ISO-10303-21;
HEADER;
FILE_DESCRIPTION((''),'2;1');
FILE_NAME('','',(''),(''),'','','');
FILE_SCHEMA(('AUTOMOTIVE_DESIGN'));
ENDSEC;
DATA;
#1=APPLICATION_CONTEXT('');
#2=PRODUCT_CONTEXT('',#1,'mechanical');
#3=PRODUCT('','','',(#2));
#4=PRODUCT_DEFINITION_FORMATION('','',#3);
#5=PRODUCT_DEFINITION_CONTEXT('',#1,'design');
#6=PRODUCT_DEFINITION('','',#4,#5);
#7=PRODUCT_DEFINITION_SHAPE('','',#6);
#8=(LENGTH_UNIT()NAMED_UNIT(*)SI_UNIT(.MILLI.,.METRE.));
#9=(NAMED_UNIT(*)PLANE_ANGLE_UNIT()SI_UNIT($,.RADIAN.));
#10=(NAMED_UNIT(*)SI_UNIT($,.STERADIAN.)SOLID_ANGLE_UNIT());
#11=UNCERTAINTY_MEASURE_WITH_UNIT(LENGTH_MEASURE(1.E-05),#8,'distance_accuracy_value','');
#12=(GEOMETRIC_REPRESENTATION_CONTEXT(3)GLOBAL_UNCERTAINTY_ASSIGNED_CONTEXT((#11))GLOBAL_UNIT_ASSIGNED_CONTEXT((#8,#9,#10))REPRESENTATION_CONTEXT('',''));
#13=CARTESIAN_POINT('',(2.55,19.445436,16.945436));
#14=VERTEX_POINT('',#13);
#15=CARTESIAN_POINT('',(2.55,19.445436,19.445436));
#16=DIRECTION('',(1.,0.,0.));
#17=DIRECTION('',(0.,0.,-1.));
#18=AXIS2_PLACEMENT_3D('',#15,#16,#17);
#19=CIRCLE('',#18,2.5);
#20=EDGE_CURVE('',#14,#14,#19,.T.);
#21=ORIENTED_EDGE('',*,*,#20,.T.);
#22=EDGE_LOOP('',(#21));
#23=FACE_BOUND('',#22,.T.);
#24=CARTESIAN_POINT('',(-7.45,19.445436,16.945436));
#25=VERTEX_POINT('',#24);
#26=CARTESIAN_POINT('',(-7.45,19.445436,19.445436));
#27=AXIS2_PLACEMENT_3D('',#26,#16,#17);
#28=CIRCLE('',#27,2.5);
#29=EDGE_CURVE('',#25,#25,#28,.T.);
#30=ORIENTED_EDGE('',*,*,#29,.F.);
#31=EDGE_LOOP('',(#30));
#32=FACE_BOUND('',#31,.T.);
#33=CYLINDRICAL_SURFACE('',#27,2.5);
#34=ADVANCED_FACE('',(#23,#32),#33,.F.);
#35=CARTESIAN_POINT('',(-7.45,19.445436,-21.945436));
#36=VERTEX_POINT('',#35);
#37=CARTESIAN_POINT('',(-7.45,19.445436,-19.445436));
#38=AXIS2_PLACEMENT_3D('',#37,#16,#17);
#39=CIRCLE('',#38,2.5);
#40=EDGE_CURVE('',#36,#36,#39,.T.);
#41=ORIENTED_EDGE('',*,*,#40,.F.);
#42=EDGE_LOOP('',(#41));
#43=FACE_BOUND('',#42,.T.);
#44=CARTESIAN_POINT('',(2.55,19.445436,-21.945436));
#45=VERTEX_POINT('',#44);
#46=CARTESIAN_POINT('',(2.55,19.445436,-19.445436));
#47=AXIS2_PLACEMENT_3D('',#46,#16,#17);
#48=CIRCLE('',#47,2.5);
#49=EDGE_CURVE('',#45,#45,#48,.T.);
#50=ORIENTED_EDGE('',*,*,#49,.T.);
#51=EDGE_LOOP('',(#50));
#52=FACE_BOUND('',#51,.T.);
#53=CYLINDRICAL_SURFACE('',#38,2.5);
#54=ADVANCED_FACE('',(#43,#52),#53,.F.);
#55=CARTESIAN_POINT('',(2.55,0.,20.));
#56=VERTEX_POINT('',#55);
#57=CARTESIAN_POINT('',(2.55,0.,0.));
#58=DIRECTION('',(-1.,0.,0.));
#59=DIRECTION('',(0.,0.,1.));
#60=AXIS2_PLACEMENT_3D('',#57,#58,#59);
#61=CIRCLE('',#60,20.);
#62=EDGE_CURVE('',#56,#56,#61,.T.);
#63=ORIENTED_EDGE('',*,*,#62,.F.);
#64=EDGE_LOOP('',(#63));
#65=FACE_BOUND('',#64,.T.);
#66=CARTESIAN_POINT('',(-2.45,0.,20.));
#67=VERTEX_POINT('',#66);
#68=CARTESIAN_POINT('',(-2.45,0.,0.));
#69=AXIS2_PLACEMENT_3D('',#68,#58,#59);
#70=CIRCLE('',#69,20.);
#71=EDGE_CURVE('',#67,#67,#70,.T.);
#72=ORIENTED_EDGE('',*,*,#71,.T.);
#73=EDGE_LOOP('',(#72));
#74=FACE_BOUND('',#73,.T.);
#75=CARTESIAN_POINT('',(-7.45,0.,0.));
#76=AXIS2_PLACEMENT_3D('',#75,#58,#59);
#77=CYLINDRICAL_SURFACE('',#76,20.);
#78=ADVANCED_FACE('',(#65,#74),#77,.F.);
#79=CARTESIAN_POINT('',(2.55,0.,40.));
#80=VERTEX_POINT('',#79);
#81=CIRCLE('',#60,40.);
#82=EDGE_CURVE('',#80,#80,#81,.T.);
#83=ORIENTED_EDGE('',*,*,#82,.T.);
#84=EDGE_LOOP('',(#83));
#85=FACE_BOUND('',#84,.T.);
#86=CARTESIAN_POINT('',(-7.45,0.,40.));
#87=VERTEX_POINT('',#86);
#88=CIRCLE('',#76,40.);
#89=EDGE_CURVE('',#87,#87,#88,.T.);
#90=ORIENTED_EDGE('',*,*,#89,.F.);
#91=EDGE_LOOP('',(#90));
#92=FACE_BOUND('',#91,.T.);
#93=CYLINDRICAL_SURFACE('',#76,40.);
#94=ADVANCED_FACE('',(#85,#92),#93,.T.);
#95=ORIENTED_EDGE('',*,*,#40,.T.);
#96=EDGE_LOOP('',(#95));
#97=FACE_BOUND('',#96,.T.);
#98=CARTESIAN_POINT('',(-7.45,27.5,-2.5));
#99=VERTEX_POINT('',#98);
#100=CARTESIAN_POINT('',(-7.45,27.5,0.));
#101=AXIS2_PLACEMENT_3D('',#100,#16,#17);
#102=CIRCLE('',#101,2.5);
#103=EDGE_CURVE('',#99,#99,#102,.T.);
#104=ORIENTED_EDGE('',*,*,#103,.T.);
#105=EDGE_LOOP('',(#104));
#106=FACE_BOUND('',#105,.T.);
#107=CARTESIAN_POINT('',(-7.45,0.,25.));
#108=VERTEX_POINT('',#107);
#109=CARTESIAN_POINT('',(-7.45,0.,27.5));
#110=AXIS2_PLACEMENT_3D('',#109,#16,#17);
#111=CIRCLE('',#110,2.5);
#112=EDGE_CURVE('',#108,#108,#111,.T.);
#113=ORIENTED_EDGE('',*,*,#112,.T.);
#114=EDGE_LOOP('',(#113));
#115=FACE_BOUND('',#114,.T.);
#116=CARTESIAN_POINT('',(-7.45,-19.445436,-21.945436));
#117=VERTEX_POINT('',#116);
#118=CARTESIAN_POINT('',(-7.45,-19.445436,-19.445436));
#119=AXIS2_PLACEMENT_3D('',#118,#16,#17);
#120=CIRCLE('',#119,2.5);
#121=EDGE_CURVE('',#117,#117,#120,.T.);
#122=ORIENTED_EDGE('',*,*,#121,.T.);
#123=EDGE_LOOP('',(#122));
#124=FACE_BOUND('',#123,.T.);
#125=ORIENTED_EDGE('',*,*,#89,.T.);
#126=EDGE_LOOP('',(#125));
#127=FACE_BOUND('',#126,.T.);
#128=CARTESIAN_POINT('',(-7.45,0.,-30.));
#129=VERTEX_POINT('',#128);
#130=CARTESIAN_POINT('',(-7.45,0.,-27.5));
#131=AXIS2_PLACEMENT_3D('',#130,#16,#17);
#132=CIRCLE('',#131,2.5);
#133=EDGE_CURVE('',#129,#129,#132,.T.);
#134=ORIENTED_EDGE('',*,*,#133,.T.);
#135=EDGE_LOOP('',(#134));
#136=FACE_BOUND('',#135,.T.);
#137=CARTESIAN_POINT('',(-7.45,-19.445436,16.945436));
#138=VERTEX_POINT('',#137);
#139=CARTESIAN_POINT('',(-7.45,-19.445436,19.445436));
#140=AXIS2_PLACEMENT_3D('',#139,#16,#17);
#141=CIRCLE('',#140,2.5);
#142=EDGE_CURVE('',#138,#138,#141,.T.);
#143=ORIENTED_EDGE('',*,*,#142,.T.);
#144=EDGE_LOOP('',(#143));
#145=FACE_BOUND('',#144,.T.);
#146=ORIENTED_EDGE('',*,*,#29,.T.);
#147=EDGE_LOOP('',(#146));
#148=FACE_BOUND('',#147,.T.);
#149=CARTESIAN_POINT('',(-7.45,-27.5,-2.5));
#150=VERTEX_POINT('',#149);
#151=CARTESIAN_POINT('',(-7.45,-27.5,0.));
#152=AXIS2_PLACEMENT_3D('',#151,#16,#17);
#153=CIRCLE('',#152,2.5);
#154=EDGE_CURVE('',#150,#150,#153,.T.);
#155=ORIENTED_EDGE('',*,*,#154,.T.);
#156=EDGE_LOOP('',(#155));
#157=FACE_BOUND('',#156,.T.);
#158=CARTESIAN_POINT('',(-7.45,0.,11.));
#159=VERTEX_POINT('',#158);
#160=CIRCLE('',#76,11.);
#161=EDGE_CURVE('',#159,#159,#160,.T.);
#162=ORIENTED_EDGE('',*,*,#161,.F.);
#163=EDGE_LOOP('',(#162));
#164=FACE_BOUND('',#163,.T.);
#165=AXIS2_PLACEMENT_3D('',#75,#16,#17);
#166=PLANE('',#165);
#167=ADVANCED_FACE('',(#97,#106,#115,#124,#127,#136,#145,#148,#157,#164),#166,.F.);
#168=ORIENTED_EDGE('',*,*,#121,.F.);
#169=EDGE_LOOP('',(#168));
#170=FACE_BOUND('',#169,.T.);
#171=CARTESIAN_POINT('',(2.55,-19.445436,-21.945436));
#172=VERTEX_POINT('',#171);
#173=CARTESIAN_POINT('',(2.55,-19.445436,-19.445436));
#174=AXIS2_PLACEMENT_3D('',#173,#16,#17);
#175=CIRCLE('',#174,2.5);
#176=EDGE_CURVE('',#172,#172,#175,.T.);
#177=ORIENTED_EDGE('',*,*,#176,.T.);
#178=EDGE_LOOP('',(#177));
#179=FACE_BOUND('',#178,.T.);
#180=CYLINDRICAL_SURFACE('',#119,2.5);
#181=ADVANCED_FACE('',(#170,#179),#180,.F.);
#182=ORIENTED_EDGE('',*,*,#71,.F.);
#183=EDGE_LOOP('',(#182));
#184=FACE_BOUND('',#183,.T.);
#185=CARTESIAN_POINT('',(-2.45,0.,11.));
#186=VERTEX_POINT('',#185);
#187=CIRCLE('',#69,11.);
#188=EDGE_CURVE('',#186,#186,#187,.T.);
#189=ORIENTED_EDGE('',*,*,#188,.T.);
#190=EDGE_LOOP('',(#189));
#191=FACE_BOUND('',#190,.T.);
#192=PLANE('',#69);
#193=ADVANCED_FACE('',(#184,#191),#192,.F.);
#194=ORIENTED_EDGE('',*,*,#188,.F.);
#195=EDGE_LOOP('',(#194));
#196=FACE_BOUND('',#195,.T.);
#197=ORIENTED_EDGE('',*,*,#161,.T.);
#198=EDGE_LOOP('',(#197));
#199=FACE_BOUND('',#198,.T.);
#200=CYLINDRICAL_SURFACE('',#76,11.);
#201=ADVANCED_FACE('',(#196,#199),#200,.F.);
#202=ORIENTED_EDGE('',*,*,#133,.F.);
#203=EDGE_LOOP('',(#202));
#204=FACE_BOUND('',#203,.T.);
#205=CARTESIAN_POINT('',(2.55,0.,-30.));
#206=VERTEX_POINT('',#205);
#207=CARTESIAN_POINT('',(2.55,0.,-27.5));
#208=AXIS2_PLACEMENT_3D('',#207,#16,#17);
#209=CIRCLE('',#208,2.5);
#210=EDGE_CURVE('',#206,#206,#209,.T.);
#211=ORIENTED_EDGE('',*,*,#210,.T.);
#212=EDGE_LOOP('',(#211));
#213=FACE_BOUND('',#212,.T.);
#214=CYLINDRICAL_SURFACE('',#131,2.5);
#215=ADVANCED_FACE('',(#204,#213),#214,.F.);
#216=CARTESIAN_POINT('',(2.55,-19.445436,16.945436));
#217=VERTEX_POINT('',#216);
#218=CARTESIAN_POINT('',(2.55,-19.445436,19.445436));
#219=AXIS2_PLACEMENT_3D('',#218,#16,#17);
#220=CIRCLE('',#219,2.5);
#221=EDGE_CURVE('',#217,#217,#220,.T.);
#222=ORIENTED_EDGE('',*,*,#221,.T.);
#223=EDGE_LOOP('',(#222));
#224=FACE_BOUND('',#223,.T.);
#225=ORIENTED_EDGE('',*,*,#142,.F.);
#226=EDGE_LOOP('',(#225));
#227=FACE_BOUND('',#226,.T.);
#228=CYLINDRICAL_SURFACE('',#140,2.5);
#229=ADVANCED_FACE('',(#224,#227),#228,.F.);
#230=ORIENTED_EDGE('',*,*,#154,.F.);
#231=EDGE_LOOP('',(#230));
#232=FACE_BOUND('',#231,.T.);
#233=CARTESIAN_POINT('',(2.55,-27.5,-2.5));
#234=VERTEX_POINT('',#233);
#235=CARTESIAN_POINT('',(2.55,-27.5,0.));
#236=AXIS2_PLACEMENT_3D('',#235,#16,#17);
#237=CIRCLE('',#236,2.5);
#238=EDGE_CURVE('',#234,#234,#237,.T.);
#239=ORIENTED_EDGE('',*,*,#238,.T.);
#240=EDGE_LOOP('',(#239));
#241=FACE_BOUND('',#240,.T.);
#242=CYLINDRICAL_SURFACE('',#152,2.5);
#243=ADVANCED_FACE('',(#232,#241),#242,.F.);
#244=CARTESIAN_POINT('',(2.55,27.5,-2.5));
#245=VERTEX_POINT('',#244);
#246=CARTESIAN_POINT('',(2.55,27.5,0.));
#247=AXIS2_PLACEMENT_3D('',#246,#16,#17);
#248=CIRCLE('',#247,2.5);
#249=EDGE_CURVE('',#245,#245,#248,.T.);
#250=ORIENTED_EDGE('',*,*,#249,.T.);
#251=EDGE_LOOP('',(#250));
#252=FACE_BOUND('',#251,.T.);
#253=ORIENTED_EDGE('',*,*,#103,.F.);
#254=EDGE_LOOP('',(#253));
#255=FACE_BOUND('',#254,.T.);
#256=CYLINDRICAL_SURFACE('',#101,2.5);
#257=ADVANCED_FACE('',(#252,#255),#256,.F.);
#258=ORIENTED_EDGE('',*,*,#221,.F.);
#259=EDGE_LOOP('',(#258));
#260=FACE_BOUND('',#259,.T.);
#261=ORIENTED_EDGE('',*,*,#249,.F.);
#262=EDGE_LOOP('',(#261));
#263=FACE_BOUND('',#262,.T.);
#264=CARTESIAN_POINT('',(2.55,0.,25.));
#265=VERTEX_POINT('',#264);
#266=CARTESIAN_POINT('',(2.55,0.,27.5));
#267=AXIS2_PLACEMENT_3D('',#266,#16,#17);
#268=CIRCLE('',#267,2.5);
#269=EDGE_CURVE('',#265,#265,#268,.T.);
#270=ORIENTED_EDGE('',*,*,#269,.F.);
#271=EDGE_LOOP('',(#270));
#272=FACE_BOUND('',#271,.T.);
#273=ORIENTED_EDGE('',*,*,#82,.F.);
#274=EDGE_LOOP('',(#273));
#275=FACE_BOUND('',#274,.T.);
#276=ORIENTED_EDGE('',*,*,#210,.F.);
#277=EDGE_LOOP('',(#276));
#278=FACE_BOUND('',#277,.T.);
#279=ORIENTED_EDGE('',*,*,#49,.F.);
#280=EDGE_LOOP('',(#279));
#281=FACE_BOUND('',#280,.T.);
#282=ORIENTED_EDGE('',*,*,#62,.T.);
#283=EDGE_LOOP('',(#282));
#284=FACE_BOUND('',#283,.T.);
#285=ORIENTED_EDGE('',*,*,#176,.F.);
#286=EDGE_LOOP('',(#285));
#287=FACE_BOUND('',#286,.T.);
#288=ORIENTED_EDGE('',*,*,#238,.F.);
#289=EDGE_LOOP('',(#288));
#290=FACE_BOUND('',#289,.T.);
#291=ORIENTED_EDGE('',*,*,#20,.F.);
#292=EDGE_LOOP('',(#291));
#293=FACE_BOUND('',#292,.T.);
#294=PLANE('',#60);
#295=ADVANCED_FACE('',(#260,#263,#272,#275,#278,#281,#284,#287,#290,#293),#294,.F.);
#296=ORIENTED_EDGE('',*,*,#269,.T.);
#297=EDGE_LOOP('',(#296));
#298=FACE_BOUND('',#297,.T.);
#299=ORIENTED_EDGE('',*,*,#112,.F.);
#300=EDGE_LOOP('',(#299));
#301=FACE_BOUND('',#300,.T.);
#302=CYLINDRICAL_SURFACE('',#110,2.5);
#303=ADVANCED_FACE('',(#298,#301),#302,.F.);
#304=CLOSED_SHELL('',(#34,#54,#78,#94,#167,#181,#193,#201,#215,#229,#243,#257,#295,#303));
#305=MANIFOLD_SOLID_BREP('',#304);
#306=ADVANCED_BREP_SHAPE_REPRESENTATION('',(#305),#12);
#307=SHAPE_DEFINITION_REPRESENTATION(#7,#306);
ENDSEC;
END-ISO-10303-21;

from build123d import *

# Parameters (mm, degrees)
SKETCH2_R          = 2.5
CUT_EXTRUDE1_DEPTH = 58.445626465


with BuildPart() as part:
    # Sketch1 → Revolve1 (revolve)
    with BuildSketch(Plane.XY, mode=Mode.PRIVATE) as revolve1_sk:
        Polygon((2.55, 20), (2.55, 40), (-7.45, 40), (-7.45, 11), (-2.45, 11), (-2.45, 20), align=None)
    revolve(revolve1_sk.sketch.rotate(Axis((-7.45, 0, 0), (1, 0, 0)), 90), axis=Axis((-7.45, 0, 0), (1, 0, 0)))

    # Sketch2 → Cut-Extrude1 (cut, through all)
    with BuildSketch(Plane(origin=(2.55, 0, 0), x_dir=(0, 0, -1), z_dir=(1, 0, 0))):
        with Locations((-19.445436483, -19.445436483)):
            Circle(SKETCH2_R)
        with Locations((-27.5, 0)):
            Circle(SKETCH2_R)
        with Locations((-19.445436483, 19.445436483)):
            Circle(SKETCH2_R)
        with Locations((0, 27.5)):
            Circle(SKETCH2_R)
        with Locations((19.445436483, 19.445436483)):
            Circle(SKETCH2_R)
        with Locations((27.5, 0)):
            Circle(SKETCH2_R)
        with Locations((19.445436483, -19.445436483)):
            Circle(SKETCH2_R)
        with Locations((0, -27.5)):
            Circle(SKETCH2_R)
    extrude(amount=-CUT_EXTRUDE1_DEPTH, mode=Mode.SUBTRACT)


solid = part.part
